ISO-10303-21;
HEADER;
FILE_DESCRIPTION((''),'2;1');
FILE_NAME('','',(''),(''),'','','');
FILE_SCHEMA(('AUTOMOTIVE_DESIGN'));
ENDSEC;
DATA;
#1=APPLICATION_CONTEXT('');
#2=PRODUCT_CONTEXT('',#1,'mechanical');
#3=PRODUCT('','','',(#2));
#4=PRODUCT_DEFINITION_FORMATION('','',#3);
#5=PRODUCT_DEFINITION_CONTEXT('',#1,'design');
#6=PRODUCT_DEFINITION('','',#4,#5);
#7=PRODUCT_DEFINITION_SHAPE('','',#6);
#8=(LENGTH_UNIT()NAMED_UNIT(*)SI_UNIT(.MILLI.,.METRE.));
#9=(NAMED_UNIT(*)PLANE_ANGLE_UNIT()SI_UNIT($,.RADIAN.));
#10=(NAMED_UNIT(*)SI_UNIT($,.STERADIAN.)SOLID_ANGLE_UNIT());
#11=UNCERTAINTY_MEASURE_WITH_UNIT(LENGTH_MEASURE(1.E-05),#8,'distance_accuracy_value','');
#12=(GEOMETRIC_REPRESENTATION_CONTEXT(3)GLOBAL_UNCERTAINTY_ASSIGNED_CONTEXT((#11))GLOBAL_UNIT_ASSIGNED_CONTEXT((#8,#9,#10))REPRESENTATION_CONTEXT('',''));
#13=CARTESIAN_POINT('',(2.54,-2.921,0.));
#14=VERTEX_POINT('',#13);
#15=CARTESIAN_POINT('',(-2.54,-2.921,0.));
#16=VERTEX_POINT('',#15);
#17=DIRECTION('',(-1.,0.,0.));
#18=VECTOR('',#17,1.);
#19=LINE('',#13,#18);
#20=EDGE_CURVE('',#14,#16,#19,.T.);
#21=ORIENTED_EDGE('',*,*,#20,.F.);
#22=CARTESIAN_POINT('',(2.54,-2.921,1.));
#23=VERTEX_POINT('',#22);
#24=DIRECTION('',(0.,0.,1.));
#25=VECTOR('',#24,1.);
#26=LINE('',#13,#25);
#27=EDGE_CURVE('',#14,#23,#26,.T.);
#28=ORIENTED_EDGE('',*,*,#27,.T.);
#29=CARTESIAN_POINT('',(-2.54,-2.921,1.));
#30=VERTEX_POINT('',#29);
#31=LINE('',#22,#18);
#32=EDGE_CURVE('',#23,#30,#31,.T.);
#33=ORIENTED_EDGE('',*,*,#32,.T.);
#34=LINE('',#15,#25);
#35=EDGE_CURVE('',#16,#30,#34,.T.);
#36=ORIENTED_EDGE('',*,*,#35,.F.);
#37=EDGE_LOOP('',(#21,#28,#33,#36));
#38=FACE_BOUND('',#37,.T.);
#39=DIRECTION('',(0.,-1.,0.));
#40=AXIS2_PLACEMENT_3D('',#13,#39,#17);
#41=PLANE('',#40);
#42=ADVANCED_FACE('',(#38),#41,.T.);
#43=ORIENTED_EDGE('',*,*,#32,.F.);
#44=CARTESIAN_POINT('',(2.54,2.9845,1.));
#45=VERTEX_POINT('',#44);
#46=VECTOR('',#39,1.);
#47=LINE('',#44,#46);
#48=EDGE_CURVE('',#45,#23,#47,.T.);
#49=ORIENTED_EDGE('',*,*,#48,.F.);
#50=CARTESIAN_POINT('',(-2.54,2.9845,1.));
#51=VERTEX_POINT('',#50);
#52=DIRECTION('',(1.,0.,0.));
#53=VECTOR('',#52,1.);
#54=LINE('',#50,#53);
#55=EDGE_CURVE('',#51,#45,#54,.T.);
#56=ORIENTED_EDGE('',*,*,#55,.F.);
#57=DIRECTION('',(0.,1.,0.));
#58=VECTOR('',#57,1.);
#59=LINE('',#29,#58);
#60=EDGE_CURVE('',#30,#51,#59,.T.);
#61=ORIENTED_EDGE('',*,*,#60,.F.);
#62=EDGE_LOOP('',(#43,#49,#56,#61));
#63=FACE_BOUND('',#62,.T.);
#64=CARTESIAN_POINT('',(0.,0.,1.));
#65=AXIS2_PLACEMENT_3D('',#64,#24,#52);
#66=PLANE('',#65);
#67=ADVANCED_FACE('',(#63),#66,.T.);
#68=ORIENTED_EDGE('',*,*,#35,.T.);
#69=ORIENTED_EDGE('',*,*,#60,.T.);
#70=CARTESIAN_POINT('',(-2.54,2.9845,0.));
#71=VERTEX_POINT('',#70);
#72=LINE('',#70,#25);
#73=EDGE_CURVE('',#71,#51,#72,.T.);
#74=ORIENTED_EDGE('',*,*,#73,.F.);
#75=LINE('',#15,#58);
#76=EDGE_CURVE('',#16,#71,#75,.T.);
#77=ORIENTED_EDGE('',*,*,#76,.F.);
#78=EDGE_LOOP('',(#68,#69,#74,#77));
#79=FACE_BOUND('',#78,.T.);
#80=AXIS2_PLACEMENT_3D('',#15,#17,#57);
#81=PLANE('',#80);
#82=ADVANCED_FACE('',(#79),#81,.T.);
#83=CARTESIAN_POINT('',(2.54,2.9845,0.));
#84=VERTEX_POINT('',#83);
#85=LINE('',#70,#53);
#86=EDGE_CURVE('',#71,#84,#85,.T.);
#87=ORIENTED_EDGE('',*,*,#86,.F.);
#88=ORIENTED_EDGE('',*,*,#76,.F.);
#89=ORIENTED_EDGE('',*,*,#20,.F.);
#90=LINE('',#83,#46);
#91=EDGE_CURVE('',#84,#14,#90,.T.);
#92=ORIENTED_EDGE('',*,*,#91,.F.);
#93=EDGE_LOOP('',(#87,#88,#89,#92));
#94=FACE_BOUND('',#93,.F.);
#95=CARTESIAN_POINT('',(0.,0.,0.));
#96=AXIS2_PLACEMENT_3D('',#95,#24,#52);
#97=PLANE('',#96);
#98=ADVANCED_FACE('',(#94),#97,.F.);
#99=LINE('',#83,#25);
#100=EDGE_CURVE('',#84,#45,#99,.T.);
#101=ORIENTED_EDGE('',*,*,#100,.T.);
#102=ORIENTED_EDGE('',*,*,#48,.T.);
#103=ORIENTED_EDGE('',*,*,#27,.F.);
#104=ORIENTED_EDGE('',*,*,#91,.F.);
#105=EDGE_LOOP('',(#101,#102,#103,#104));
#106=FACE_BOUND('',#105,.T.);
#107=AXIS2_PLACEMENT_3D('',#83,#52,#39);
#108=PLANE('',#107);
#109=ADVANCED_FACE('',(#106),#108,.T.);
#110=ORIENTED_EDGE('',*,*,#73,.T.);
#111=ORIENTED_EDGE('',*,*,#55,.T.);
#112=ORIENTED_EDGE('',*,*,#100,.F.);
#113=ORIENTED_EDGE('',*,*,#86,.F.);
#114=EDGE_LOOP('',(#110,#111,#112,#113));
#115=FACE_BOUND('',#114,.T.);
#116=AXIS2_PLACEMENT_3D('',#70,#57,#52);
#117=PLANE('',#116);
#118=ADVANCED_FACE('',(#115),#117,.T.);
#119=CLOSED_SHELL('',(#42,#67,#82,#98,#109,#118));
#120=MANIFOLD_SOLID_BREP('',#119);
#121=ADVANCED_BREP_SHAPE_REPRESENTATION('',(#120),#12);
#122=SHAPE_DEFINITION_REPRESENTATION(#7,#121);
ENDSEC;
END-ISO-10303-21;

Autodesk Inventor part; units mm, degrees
ref_plane "YZ Plane" through (0, 0, 0) normal (1, 0, 0) x (0, 1, 0)
ref_plane "XZ Plane" through (0, 0, 0) normal (0, 1, 0) x (-1, 0, 0)
ref_plane "XY Plane" through (0, 0, 0) normal (0, 0, 1) x (1, 0, 0)
sketch "6410-02, 12V_PWR_B1_B3_35" plane through (0, 0, 0) normal (0, 0, 1) x (1, 0, 0)
  line L0 (-2.54, 2.9845) -> (2.54, 2.9845)
  line L1 (2.54, 2.9845) -> (2.54, -2.921)
  line L2 (2.54, -2.921) -> (-2.54, -2.921)
  line L3 (-2.54, -2.921) -> (-2.54, 2.9845)
extrude "Extrusion1" add sketch "6410-02, 12V_PWR_B1_B3_35" along normal blind 1
properties part number "12V_PWR_B1_B3"
